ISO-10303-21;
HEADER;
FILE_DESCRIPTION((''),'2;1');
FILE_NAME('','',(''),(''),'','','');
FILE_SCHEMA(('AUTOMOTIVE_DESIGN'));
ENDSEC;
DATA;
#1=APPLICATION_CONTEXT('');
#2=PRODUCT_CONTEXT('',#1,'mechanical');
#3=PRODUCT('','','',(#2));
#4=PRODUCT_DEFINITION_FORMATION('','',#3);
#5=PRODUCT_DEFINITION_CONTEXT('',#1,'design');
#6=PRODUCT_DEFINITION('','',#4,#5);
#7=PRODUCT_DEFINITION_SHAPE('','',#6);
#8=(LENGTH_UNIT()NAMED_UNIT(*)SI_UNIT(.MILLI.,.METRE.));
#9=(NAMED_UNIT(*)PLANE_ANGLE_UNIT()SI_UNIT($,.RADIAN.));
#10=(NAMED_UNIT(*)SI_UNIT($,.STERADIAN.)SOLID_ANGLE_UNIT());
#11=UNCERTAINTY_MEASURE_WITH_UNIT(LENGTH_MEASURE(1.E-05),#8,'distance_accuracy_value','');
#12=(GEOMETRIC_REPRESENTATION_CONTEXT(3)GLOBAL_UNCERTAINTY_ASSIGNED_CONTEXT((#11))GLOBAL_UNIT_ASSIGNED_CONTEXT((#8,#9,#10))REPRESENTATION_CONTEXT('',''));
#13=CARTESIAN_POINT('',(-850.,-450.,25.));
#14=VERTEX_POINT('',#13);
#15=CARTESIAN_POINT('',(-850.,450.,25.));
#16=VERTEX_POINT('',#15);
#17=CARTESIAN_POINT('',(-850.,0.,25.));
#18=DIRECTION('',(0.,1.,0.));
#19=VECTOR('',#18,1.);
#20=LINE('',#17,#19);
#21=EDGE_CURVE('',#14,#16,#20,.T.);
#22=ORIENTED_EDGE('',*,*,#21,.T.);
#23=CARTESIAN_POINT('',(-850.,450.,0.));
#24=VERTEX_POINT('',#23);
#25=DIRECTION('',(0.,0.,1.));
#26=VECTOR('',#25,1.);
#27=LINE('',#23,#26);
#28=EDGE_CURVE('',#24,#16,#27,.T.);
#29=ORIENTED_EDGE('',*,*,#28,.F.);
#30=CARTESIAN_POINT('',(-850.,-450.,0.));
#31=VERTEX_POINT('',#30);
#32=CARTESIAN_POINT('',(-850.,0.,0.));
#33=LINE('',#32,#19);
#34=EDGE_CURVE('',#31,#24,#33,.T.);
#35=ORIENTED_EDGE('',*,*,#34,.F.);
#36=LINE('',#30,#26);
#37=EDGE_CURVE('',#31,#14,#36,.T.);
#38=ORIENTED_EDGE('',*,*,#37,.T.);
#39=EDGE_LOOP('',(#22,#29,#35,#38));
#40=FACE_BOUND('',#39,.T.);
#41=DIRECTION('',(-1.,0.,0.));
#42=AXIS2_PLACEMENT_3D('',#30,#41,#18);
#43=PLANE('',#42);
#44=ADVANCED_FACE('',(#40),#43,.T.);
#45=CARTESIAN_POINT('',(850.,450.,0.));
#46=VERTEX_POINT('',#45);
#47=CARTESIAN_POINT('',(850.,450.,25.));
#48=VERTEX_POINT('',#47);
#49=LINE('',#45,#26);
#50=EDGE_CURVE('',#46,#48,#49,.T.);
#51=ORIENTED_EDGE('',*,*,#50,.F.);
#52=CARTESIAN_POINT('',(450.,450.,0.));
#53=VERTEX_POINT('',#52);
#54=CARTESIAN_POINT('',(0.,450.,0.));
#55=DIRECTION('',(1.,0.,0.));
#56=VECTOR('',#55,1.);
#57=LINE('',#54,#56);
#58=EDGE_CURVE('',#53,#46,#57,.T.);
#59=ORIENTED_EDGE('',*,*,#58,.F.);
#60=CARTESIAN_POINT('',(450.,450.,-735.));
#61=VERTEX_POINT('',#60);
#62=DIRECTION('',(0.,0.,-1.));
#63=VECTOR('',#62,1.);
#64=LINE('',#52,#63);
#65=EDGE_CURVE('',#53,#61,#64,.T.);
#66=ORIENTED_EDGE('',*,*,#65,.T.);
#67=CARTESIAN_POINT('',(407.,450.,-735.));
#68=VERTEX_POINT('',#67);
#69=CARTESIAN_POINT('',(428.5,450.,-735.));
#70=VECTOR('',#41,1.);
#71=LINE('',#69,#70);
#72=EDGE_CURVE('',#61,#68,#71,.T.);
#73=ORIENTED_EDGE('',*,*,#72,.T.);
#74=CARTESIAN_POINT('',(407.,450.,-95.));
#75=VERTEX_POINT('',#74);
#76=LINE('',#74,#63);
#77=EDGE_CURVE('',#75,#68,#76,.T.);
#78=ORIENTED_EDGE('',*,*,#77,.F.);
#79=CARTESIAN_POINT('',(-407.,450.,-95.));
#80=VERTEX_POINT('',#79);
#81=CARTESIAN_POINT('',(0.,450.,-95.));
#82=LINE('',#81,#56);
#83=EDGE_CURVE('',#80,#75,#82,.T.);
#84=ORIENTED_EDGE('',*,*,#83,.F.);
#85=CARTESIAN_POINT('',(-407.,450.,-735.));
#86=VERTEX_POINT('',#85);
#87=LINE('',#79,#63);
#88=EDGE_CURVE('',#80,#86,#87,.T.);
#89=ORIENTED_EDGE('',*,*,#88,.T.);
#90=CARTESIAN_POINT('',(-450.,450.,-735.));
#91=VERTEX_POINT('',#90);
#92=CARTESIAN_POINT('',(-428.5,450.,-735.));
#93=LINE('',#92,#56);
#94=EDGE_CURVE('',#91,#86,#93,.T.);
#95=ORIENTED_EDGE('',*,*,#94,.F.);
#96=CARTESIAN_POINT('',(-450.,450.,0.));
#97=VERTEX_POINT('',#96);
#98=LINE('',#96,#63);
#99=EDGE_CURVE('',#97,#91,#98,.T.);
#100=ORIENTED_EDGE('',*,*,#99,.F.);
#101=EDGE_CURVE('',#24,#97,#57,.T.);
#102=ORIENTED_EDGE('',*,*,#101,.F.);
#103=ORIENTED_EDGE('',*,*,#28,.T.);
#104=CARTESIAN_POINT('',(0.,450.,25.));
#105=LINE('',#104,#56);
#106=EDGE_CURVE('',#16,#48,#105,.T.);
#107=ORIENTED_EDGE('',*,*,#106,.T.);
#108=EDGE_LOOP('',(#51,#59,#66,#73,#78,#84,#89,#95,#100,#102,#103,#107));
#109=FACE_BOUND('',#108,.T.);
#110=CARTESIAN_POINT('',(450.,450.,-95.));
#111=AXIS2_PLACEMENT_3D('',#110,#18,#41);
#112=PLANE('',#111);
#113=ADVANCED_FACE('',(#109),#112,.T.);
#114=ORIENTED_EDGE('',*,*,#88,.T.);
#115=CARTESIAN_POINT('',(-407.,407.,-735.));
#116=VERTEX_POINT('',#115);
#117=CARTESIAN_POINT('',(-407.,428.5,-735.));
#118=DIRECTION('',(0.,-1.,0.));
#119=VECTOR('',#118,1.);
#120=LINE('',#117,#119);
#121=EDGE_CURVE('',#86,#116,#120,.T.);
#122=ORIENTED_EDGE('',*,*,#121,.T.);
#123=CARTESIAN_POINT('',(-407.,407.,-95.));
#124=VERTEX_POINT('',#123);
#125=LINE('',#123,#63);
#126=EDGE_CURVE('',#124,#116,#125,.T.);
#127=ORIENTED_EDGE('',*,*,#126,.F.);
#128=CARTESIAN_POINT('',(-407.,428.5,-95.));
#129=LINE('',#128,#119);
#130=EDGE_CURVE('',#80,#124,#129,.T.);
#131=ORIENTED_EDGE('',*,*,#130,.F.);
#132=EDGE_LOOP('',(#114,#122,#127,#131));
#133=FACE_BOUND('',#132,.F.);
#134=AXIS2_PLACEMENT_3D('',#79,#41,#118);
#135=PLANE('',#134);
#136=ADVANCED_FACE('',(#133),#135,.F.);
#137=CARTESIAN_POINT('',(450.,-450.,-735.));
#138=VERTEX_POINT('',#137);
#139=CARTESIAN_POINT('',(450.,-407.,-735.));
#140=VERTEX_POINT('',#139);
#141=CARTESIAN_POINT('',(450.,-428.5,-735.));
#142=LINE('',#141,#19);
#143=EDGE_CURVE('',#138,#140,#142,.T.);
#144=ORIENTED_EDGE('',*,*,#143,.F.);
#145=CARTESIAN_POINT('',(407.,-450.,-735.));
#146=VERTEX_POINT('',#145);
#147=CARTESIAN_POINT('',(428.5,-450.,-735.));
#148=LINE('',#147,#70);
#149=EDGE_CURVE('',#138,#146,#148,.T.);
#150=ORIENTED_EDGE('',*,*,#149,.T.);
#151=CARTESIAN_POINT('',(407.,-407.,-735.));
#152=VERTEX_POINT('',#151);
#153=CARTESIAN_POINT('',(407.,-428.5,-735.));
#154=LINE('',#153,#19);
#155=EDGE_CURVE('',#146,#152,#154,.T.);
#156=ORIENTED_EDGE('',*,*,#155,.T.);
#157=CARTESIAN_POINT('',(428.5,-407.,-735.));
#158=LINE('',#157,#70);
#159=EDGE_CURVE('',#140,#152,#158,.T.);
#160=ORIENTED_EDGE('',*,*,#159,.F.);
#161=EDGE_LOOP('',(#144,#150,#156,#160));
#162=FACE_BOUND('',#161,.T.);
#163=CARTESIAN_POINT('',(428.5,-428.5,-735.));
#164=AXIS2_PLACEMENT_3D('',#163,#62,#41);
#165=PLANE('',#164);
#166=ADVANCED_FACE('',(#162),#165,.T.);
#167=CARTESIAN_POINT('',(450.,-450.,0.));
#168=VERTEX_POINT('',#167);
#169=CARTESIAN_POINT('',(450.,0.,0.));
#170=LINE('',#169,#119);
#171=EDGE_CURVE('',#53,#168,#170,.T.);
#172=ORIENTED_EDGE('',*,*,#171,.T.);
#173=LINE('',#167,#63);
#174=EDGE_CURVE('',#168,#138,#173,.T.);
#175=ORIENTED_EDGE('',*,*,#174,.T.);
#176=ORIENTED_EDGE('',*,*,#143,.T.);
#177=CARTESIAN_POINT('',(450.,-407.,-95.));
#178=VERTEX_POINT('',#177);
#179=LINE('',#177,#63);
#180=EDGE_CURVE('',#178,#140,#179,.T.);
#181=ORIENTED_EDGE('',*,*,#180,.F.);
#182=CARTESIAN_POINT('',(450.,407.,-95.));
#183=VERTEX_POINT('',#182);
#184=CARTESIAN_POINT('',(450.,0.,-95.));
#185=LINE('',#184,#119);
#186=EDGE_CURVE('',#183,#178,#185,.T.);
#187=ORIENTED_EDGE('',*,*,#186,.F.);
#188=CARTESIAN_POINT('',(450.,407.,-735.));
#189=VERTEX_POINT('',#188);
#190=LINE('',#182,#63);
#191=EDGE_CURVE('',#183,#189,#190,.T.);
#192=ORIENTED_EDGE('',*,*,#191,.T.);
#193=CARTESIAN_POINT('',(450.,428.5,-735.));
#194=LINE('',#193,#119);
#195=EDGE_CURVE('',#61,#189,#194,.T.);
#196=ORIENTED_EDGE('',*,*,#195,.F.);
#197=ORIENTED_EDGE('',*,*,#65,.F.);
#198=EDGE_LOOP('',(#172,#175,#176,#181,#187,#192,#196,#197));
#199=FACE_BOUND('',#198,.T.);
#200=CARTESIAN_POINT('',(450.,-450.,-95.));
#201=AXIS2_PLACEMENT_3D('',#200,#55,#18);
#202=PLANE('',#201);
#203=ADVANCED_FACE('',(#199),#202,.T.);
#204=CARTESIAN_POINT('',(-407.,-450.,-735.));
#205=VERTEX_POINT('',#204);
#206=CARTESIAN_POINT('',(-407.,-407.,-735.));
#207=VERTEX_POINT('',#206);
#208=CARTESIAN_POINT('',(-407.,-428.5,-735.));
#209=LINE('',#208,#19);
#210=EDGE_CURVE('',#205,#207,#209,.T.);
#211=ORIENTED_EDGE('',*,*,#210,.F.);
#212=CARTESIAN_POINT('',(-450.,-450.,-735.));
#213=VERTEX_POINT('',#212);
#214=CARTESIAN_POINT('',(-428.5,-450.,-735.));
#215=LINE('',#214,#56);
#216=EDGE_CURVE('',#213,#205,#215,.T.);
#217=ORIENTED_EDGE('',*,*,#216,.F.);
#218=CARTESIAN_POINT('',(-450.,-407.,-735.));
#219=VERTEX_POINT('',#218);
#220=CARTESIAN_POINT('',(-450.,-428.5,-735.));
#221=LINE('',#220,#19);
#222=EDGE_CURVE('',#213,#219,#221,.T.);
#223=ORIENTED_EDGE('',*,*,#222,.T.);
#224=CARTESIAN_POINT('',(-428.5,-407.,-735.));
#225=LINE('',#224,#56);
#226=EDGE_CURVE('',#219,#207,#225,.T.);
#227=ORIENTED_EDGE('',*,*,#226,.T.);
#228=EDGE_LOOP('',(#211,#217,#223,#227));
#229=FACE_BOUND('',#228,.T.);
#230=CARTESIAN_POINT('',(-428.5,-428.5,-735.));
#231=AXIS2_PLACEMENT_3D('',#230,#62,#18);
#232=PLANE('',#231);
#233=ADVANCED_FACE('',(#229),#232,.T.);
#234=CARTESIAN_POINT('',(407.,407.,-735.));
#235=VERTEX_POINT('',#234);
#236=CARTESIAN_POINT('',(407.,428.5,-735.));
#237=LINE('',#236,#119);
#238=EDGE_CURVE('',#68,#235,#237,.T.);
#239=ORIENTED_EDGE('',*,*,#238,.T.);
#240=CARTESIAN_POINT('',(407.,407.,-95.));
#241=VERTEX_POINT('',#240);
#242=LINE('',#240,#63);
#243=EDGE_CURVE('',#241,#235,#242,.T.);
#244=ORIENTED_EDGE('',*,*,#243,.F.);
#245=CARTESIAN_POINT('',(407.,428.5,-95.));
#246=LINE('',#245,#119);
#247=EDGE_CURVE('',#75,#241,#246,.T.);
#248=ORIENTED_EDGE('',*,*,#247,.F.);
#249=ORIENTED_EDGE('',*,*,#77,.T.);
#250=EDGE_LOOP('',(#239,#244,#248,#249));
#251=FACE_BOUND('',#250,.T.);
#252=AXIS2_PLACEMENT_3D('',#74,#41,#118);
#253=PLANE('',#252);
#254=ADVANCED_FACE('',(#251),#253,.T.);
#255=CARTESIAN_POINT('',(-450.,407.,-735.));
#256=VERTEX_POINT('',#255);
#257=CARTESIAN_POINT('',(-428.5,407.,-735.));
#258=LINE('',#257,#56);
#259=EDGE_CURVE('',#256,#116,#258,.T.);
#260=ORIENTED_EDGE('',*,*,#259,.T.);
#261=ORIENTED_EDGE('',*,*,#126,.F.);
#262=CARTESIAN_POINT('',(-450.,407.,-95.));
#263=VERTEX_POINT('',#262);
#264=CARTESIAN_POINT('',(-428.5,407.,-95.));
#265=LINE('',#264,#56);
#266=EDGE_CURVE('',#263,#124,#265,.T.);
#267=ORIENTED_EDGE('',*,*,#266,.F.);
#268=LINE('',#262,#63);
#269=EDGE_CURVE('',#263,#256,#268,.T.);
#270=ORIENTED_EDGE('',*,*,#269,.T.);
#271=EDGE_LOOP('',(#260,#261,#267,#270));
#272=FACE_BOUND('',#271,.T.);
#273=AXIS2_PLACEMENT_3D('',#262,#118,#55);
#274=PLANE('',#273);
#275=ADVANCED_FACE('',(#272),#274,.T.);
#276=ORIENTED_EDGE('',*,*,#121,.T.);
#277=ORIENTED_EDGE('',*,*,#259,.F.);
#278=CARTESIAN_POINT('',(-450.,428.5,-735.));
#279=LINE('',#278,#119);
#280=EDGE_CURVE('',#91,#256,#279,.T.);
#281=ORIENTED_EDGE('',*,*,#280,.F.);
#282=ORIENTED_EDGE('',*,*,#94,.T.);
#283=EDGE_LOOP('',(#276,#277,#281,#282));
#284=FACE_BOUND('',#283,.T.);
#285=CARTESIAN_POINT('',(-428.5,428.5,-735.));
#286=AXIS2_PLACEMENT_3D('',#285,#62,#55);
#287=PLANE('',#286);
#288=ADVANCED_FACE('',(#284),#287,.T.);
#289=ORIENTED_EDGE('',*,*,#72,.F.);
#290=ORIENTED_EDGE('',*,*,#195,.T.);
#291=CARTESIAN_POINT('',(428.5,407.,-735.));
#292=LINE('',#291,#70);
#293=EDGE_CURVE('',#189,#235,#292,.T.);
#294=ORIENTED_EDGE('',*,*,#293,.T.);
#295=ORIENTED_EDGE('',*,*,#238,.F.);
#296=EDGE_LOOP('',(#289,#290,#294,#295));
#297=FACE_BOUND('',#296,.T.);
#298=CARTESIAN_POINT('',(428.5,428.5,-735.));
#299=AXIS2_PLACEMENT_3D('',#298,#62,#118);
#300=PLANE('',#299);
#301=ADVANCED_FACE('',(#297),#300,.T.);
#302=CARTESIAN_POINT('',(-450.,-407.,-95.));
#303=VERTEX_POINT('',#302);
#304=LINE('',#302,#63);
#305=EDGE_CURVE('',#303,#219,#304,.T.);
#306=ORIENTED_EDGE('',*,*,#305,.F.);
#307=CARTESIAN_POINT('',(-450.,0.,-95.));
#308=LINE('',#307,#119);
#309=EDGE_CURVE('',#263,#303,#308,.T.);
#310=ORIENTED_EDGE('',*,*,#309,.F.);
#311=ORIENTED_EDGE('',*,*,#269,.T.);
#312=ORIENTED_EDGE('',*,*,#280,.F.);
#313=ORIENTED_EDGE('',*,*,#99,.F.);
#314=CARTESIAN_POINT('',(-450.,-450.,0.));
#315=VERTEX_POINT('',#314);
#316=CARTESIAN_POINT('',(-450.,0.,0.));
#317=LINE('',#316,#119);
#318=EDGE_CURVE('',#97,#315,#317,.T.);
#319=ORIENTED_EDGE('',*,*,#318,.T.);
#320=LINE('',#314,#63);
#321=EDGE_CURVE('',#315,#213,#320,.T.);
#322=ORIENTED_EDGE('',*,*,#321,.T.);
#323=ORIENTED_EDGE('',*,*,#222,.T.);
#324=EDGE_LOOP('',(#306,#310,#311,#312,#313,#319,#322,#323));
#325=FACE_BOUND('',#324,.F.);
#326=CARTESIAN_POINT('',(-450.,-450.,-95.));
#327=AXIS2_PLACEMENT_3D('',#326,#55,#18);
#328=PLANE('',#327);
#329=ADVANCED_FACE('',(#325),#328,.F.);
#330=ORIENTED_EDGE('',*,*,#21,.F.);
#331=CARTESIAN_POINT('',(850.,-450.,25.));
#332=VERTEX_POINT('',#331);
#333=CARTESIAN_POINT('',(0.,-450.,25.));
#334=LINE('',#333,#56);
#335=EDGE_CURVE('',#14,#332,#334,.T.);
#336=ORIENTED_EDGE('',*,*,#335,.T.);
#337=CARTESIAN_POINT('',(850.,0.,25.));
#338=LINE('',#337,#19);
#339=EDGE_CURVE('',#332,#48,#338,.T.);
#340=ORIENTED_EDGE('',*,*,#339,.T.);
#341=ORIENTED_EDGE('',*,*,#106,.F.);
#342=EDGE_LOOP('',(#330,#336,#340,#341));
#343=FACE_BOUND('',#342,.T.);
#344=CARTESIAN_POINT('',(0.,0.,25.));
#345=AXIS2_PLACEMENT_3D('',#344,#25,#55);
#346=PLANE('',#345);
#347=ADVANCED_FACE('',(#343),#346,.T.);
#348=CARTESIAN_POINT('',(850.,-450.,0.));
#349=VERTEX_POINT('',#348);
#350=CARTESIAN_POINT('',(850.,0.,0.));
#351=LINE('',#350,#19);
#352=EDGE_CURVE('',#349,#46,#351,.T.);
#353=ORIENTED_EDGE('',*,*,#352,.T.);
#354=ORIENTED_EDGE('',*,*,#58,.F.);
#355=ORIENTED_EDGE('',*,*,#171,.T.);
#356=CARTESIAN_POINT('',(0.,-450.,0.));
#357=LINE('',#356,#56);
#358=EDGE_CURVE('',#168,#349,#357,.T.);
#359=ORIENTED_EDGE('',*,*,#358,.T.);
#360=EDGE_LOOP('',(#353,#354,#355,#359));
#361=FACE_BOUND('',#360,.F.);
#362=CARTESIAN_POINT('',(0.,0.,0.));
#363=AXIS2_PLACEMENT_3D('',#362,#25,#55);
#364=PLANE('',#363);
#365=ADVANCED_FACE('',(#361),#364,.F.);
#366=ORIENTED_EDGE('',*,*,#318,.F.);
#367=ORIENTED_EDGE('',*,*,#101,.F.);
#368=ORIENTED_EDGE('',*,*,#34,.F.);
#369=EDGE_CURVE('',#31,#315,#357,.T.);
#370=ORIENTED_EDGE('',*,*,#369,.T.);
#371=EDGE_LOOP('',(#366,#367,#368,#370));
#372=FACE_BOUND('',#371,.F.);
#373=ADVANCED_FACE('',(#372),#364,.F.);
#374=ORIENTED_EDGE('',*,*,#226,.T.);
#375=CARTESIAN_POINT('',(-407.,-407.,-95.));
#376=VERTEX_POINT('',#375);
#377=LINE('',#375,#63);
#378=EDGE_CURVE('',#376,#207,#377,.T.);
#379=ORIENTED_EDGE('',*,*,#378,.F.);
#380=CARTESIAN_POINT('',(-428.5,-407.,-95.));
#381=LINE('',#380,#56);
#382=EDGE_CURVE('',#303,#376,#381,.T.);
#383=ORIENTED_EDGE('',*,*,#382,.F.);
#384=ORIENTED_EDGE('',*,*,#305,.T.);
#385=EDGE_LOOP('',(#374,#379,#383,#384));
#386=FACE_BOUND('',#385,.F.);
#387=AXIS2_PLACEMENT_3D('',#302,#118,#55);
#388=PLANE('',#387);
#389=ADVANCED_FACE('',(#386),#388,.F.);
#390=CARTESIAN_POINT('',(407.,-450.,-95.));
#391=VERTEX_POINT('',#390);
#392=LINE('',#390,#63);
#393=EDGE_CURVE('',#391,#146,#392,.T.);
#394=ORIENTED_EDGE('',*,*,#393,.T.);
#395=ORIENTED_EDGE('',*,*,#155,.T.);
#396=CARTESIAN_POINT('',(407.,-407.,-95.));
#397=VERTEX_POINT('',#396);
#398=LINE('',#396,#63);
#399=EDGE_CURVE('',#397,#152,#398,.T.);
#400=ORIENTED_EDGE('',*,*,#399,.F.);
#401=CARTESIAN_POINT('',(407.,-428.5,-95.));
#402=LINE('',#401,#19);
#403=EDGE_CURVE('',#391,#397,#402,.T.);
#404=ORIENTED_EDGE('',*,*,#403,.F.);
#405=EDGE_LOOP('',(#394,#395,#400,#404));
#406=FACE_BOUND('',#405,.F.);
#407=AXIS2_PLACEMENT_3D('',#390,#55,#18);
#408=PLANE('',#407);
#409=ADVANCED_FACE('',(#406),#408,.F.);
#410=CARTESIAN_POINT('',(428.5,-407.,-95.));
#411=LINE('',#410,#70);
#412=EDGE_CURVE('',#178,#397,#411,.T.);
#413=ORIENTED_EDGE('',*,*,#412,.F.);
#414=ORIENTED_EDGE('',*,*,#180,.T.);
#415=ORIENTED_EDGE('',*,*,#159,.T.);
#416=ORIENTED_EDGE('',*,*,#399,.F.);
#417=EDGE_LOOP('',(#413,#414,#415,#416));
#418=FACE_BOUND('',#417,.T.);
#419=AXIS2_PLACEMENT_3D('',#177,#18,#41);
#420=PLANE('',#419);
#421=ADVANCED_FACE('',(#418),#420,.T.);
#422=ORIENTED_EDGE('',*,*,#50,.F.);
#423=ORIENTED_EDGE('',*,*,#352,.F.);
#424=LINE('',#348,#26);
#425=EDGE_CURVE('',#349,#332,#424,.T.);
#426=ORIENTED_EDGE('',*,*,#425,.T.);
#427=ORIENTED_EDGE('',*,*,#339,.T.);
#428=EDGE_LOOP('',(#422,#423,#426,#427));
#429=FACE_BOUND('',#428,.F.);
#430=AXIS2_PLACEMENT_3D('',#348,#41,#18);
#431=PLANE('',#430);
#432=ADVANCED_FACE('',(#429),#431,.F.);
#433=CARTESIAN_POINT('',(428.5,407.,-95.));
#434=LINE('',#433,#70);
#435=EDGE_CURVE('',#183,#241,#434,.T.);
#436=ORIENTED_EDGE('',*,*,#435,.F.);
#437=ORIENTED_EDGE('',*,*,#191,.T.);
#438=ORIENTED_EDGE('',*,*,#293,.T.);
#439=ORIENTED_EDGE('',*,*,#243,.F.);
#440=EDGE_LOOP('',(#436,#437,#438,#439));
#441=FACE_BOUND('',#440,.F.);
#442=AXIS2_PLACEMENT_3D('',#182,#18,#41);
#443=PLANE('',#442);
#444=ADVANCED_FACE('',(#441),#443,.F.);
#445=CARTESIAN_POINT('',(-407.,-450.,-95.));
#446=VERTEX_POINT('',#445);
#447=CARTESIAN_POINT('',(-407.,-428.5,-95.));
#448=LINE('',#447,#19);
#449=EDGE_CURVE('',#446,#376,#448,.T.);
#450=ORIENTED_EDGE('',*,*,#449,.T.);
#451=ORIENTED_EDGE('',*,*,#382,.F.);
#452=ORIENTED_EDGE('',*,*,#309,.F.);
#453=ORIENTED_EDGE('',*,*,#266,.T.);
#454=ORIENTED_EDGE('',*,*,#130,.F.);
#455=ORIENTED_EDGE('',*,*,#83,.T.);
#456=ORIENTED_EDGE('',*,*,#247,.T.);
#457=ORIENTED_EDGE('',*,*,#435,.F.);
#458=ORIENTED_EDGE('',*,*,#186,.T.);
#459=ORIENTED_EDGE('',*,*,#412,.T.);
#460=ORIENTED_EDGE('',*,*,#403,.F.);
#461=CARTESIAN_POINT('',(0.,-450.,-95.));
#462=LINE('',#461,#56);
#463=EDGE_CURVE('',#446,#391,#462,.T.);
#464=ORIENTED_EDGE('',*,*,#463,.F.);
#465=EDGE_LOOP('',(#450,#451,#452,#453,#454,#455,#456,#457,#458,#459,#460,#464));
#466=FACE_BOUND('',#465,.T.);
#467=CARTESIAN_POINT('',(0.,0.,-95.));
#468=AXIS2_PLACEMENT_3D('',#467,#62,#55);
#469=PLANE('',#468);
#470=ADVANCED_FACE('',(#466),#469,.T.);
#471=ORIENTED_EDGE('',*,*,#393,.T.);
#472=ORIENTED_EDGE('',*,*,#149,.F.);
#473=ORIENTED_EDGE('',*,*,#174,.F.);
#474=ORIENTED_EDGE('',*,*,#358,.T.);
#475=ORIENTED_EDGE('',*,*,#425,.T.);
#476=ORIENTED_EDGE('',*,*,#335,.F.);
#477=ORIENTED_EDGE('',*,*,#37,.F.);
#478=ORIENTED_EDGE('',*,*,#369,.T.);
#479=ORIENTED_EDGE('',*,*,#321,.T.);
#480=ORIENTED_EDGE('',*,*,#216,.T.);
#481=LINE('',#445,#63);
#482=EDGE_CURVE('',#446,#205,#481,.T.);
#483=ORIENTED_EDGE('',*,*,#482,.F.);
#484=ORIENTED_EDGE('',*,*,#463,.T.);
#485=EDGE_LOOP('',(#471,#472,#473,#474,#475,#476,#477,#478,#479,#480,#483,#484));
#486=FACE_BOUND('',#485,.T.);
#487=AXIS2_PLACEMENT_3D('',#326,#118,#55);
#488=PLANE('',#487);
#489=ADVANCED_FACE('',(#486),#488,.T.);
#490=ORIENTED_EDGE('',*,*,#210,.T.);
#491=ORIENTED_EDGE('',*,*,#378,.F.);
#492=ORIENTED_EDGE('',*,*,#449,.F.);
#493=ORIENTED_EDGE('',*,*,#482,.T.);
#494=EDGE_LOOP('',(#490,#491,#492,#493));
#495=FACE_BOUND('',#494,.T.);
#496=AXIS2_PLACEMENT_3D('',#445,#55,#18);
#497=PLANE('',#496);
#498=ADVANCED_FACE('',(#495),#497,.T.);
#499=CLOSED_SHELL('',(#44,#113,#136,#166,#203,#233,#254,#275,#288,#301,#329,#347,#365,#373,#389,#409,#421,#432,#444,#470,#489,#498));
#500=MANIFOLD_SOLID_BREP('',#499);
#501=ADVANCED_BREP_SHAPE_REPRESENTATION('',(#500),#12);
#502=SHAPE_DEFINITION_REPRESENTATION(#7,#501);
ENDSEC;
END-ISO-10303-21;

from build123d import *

# Parameters (mm, degrees)
SKETCH_W           = 1700
SKETCH_H           = 900
PAD_DEPTH          = 25
SKETCH001_W        = 900
SKETCH001_H        = 900
PAD001_DEPTH       = 95
SKETCH002_W        = 43
SKETCH002_H        = 43
PAD002_DEPTH       = 640
POLARPATTERN_COUNT = 4


with BuildPart() as part:
    # Sketch → Pad (new body)
    with BuildSketch(Plane.XY):
        Rectangle(SKETCH_W, SKETCH_H)
    extrude(amount=PAD_DEPTH)

    # Sketch001 (on Face5 of Pad) → Pad001 (join)
    with BuildSketch(Plane(origin=(0, 0, 0), x_dir=(1, 0, 0), z_dir=(0, 0, -1))):
        Rectangle(SKETCH001_W, SKETCH001_H)
    extrude(amount=PAD001_DEPTH)

    # Sketch002 (on Face11 of Pad001) → Pad002 (join)
    with BuildSketch(Plane(origin=(0, 0, -95), x_dir=(1, 0, 0), z_dir=(0, 0, -1))):
        with Locations((-428.5, -428.5)):
            Rectangle(SKETCH002_W, SKETCH002_H)
    pad002 = extrude(amount=PAD002_DEPTH)

    # PolarPattern: Pad002 ×4 about axis
    polarpattern_axis = Axis((0, 0, -95), (0, 0, -1))
    for i in range(1, POLARPATTERN_COUNT):
        add(pad002.rotate(polarpattern_axis, i * 360 / POLARPATTERN_COUNT))


solid = part.part
